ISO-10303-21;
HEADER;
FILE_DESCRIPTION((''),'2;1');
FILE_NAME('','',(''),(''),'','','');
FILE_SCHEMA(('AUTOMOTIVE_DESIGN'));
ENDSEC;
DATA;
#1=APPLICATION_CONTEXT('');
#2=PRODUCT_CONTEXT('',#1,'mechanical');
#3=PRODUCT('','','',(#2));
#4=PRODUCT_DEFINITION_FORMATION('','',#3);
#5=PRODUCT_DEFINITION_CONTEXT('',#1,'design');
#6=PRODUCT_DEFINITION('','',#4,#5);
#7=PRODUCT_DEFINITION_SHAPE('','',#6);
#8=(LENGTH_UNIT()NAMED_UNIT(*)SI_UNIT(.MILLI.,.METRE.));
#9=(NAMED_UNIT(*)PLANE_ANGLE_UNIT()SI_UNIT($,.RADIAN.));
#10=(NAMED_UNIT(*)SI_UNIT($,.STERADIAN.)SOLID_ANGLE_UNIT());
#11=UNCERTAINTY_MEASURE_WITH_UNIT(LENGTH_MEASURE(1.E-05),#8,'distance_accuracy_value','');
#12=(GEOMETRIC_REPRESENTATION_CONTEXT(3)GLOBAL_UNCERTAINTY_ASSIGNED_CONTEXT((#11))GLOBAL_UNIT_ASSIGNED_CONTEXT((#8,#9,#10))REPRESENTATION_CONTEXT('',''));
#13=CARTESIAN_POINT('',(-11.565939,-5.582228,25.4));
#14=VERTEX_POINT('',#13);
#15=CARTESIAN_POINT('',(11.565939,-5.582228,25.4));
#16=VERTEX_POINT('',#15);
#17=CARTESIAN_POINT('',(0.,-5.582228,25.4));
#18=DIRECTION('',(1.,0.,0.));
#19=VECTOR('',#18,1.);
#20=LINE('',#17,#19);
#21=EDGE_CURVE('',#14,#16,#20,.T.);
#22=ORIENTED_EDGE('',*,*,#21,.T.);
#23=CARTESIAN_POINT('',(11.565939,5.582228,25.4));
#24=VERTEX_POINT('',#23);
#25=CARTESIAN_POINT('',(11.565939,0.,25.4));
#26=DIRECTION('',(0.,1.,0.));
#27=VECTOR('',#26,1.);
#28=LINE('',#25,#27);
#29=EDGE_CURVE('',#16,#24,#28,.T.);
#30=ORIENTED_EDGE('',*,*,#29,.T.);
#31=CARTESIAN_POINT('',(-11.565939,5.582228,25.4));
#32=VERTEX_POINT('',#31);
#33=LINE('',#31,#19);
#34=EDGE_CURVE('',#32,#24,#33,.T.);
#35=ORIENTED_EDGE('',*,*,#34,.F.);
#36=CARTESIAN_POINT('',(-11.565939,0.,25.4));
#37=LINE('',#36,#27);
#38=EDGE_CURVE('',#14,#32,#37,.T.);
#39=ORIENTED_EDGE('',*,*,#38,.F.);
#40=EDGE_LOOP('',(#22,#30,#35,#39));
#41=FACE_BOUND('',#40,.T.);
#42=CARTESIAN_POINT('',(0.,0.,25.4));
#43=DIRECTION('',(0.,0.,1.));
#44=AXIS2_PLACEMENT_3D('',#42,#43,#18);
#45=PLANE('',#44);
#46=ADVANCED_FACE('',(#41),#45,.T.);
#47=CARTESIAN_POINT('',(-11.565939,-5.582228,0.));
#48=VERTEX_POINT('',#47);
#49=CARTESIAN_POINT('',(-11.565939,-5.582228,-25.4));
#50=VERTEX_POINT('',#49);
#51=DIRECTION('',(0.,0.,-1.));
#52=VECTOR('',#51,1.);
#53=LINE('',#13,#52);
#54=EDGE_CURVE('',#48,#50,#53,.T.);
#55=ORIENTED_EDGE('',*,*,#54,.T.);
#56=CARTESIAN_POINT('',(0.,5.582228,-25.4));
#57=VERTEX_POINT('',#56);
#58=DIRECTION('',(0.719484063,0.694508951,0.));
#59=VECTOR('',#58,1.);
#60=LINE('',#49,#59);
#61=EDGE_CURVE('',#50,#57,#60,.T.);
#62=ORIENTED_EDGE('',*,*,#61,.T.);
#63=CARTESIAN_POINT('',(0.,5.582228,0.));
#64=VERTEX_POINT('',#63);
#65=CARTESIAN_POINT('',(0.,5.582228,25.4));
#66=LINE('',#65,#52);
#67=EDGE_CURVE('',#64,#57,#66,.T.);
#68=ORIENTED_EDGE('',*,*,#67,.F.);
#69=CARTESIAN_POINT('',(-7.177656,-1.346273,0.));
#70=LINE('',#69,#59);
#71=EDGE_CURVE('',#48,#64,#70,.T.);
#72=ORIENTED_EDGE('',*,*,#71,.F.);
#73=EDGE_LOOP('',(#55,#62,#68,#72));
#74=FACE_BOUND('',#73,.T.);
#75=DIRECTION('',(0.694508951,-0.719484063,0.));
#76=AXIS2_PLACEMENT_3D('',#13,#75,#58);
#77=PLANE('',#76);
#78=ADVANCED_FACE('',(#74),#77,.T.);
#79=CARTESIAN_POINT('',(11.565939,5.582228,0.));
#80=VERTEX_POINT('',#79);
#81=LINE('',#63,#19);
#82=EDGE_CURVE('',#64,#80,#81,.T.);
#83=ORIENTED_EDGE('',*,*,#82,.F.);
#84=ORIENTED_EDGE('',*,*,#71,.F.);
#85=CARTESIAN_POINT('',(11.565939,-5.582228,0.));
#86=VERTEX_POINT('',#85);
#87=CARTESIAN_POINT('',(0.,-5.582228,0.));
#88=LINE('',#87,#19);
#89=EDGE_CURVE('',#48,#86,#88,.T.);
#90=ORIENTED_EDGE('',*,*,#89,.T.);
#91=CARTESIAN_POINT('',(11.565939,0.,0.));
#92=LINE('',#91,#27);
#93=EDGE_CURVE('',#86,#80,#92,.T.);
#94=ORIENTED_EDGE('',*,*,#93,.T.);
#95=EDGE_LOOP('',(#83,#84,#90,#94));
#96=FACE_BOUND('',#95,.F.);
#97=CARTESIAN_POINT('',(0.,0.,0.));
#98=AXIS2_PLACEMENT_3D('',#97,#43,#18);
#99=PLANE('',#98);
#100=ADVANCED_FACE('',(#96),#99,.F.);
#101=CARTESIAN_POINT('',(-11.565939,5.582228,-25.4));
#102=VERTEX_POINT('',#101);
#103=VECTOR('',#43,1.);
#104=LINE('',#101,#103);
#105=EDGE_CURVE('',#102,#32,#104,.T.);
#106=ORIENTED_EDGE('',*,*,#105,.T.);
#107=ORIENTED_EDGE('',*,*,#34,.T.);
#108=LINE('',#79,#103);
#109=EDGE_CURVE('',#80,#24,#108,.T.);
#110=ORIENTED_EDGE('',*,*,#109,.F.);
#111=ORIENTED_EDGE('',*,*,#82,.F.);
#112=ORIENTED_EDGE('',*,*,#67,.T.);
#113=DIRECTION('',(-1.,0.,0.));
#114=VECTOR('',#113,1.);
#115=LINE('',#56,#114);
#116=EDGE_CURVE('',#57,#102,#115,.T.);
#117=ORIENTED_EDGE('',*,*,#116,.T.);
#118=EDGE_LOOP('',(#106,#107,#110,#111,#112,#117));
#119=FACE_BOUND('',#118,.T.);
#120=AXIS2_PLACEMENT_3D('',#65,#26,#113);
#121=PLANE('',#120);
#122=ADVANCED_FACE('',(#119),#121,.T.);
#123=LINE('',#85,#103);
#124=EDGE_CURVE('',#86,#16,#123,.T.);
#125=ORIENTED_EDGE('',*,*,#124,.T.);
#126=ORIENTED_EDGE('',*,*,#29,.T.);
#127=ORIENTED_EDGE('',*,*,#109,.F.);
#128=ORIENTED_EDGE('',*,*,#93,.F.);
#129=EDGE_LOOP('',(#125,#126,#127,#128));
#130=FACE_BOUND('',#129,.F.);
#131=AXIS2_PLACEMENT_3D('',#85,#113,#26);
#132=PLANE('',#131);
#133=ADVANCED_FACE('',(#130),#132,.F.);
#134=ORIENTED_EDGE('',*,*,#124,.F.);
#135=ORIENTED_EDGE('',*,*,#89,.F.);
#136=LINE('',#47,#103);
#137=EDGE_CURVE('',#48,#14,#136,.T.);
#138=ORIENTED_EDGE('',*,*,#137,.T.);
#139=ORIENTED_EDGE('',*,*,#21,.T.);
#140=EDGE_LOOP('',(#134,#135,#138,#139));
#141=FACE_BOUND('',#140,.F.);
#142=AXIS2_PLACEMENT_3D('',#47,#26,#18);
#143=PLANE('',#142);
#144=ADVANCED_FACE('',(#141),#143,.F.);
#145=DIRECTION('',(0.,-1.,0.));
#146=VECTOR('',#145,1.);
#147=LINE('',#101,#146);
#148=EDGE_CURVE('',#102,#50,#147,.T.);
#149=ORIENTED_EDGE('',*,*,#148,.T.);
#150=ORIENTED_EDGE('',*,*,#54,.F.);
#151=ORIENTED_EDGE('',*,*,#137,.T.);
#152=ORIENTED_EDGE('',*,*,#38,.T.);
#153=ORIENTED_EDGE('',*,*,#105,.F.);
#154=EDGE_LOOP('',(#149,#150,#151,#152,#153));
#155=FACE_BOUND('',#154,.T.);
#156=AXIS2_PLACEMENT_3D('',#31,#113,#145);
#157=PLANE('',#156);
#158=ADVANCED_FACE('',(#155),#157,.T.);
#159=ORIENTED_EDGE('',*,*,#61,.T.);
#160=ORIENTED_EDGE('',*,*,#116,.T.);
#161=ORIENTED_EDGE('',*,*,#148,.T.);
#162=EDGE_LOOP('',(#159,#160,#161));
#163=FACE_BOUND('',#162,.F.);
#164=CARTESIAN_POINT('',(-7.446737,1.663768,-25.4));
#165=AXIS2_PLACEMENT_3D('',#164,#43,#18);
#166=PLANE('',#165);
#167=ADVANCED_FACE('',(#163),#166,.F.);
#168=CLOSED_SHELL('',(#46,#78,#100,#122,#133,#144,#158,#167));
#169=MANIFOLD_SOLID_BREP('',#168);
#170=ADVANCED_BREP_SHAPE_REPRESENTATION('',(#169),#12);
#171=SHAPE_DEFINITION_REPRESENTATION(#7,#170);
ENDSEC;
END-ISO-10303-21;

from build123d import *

# Parameters (mm, degrees)
F0_W     = 23.131878
F0_H     = 11.164456
F1_DEPTH = 25.4
F3_DEPTH = 50.8


with BuildPart() as f1:
    # F0 (on Top) → F1 (new body)
    with BuildSketch(Plane.XY):
        Rectangle(F0_W, F0_H)
    extrude(amount=F1_DEPTH)

    # F2 (on face) → F3 (join)
    with BuildSketch(Plane.XY.offset(25.4)):
        Polygon((-11.565939, -5.582228), (0, 5.582228), (-11.565939, 5.582228), align=None)
    extrude(amount=-F3_DEPTH)


solid = f1.part
